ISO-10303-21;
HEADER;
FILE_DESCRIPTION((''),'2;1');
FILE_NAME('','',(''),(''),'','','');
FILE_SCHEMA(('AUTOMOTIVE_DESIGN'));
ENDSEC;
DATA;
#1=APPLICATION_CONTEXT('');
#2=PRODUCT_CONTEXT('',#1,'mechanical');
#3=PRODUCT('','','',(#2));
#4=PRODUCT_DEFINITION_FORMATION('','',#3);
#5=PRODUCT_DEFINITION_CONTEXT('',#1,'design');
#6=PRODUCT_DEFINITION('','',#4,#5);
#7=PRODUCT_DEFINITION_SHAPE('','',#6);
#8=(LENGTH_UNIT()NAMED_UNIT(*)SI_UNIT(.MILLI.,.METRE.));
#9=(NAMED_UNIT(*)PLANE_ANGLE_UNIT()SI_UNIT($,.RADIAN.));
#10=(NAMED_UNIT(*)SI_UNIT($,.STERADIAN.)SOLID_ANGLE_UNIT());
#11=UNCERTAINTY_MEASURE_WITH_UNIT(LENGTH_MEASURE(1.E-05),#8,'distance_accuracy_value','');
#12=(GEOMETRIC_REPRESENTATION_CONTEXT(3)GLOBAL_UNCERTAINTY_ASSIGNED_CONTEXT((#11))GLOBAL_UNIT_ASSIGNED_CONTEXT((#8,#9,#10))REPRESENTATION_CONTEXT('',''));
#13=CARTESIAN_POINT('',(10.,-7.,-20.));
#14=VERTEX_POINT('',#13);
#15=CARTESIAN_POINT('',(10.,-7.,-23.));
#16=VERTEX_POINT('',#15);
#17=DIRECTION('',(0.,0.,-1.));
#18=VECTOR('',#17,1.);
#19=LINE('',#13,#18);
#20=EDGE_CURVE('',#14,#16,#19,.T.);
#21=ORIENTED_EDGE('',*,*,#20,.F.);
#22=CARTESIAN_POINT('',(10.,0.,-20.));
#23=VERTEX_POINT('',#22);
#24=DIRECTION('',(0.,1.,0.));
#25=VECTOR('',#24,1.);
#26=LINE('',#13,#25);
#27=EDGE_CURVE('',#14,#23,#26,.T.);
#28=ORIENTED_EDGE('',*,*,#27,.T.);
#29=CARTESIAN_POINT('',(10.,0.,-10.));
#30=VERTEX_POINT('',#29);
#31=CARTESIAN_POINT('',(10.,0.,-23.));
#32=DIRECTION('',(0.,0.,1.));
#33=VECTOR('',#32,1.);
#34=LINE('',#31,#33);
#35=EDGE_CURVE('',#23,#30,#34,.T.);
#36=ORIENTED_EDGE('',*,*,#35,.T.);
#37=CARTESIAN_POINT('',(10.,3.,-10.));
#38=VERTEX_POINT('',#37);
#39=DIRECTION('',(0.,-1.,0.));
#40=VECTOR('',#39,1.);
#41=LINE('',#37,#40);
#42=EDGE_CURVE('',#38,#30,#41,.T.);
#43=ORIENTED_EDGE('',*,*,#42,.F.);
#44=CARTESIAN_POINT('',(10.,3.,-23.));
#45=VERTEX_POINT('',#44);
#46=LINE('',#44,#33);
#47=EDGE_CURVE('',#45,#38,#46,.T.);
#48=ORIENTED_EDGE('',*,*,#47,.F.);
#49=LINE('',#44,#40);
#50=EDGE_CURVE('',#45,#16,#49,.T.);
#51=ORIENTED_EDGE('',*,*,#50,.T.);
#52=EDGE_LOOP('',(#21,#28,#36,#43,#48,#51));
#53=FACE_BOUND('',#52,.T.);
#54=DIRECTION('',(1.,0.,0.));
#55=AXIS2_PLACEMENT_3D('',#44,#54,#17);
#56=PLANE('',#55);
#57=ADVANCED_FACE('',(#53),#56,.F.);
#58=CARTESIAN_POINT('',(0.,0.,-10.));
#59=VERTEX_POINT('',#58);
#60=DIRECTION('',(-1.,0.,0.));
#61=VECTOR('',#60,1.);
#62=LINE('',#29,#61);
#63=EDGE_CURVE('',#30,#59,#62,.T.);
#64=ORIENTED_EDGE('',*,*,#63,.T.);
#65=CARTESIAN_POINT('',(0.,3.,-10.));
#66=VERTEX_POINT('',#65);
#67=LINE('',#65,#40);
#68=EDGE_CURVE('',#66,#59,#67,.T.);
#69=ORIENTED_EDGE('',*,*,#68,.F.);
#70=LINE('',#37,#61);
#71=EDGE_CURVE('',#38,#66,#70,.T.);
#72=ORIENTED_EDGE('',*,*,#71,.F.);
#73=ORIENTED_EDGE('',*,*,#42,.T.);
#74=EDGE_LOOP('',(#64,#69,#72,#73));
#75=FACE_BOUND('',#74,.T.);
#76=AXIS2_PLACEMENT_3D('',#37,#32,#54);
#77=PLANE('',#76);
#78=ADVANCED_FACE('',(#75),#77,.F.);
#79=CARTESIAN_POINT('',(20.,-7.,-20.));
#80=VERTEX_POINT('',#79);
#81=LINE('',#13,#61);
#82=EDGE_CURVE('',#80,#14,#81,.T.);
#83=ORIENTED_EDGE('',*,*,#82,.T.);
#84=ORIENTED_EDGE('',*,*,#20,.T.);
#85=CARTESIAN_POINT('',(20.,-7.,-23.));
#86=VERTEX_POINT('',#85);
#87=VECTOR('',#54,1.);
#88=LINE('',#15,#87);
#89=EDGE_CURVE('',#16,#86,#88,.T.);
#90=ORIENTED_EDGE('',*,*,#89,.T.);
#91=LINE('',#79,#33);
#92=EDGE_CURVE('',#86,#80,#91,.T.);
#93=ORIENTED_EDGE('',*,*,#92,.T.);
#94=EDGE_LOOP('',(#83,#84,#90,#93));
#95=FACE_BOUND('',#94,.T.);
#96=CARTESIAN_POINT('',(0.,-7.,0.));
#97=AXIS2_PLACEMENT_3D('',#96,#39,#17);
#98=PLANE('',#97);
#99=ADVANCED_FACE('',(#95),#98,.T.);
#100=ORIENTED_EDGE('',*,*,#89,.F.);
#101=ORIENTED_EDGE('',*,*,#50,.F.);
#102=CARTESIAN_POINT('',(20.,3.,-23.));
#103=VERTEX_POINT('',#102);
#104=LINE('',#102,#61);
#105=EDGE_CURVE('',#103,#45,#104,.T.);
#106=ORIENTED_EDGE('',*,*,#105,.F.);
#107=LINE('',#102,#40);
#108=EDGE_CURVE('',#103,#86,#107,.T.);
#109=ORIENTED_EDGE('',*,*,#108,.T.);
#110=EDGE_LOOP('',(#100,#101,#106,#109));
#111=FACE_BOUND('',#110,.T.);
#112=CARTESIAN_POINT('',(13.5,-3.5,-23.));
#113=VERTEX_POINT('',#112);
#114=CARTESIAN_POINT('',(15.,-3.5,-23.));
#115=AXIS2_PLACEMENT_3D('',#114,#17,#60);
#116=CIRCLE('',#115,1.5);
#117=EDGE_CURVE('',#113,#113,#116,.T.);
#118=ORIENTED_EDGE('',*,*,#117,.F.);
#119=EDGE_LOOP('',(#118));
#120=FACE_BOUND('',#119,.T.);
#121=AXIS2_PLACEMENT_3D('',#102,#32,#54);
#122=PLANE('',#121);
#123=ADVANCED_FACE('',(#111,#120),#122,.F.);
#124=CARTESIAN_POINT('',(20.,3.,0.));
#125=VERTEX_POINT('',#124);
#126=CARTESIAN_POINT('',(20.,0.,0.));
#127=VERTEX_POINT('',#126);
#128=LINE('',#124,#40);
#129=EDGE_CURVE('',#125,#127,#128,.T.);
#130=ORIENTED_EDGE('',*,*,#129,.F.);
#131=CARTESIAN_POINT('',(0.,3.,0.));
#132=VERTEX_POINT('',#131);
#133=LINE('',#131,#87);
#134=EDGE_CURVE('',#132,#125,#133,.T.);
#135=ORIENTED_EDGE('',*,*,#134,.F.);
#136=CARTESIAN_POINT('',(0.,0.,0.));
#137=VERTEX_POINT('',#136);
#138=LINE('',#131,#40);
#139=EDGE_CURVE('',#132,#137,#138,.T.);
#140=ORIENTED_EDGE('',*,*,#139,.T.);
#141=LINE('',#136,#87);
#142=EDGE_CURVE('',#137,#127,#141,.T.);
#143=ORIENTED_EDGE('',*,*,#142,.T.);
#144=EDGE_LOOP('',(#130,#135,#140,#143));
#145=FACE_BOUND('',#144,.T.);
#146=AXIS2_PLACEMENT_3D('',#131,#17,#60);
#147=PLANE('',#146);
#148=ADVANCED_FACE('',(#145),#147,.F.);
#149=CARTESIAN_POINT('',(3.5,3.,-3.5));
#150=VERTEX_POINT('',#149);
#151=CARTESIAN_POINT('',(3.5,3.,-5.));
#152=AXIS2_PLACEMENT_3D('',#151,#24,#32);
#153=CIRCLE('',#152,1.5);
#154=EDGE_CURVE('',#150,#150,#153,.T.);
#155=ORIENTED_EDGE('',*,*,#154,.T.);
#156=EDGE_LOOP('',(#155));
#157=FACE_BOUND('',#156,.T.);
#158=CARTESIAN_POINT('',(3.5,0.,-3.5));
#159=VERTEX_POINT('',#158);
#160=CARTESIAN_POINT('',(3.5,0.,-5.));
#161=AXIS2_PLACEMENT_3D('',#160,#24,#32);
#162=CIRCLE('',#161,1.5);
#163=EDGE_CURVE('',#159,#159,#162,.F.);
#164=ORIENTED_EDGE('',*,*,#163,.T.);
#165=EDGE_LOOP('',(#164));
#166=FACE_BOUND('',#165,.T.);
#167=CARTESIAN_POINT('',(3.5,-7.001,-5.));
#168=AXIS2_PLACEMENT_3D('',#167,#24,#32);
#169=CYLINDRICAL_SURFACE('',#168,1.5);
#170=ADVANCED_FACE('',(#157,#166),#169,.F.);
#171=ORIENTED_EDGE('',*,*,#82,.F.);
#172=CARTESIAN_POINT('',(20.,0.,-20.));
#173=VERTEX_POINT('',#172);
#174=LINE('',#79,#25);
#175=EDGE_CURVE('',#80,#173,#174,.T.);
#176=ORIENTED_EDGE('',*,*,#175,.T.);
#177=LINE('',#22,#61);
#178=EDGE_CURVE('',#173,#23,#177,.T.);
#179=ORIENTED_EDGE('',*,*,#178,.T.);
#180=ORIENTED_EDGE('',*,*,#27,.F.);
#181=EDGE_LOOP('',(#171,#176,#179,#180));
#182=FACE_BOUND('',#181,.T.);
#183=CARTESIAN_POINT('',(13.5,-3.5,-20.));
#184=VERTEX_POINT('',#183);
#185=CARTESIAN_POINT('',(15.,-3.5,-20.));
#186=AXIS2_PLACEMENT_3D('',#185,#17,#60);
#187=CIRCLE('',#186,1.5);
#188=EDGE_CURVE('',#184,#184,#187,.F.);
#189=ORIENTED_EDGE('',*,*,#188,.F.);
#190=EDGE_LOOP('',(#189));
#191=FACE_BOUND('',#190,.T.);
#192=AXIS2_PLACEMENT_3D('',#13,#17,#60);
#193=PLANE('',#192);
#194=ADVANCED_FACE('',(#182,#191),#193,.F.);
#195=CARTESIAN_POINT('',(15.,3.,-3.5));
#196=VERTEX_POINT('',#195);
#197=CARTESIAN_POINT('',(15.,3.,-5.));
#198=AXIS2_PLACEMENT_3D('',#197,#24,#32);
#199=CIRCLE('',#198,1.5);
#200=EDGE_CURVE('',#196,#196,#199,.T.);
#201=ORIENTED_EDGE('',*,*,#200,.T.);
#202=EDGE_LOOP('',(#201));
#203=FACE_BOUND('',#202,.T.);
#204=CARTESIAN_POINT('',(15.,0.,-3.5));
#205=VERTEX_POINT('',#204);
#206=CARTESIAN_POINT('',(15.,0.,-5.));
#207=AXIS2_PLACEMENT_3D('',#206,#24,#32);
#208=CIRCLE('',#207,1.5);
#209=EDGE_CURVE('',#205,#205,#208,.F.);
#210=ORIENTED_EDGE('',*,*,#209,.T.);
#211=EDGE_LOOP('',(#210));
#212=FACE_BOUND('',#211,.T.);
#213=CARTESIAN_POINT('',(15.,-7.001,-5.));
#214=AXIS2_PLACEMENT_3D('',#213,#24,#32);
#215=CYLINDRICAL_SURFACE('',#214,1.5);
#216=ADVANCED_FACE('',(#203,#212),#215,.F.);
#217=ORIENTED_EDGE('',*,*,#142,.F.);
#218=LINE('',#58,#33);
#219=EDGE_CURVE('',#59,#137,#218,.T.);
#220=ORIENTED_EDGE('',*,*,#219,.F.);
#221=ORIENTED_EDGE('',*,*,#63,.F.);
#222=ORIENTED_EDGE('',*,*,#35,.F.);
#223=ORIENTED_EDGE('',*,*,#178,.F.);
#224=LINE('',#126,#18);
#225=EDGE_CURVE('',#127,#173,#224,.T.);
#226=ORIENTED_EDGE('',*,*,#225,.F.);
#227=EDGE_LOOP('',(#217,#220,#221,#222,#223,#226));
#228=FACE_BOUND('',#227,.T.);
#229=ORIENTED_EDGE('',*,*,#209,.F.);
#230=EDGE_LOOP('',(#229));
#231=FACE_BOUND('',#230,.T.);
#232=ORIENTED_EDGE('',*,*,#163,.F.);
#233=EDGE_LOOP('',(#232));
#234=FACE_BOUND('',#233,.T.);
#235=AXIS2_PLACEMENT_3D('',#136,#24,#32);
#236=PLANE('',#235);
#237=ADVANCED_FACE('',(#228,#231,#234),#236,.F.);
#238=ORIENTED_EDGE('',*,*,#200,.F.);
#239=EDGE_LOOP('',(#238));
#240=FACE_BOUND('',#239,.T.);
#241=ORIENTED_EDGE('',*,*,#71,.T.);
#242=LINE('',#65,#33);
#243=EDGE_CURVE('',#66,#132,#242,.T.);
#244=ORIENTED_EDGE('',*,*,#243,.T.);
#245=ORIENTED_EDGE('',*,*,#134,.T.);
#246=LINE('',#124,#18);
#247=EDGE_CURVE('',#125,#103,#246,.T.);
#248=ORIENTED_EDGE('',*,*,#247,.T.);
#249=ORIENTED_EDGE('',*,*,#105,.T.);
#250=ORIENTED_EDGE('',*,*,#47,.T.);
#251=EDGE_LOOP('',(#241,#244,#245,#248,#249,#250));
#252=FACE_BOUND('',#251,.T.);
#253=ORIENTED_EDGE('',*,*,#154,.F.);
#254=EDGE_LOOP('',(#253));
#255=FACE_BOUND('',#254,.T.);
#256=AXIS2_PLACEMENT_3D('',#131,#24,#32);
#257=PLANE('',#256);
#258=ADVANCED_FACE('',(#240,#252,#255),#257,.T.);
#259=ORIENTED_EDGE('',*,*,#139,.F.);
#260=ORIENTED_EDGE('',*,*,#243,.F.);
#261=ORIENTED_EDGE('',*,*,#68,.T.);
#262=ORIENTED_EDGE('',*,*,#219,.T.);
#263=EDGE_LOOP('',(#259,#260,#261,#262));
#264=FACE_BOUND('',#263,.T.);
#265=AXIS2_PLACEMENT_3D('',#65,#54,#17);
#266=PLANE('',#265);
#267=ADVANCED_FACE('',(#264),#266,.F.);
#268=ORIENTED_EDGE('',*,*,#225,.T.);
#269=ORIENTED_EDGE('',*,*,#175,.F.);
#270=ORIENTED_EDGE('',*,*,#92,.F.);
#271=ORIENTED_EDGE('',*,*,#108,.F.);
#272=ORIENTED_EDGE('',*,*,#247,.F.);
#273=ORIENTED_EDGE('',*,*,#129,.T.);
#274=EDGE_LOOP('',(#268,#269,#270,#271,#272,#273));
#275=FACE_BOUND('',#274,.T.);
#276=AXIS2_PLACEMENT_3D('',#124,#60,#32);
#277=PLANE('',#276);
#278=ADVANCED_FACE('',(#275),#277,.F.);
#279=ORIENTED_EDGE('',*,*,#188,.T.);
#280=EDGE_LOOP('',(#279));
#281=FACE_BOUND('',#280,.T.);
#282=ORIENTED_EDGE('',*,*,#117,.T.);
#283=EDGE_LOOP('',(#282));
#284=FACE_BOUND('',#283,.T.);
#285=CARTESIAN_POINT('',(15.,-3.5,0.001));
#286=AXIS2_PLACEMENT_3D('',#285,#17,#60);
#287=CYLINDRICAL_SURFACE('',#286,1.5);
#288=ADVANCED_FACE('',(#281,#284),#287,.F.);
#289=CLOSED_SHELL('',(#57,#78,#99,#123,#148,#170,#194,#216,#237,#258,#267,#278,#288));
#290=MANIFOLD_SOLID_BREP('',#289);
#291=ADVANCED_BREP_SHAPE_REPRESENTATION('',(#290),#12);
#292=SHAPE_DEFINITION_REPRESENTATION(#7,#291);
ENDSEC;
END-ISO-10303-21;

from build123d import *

# Parameters (mm, degrees)
BOSS_EXTRUDE1_DEPTH = 3
SKETCH7_W           = 10
SKETCH7_H           = 3
BOSS_EXTRUDE2_DEPTH = 7
CUT_EXTRUDE1_REACH  = 25
SKETCH8_R           = 1.5
CUT_EXTRUDE2_REACH  = 12
SKETCH12_R          = 1.5


with BuildPart() as part:
    # Sketch1 → Boss-Extrude1 (new body)
    with BuildSketch(Plane(origin=(0, 0, 0), x_dir=(1, 0, 0), z_dir=(0, 1, 0))):
        Polygon((0, 0), (20, 0), (20, 23), (10, 23), (10, 10), (0, 10), align=None)
    extrude(amount=BOSS_EXTRUDE1_DEPTH)

    # Sketch7 → Boss-Extrude2 (add)
    with BuildSketch(Plane.XZ):
        with Locations((15, -21.5)):
            Rectangle(SKETCH7_W, SKETCH7_H)
    extrude(amount=BOSS_EXTRUDE2_DEPTH)

    # Sketch8 → Cut-Extrude1 (cut, up to next)
    with BuildSketch(Plane(origin=(0, 0, -23), x_dir=(-1, 0, 0), z_dir=(0, 0, -1)), mode=Mode.PRIVATE) as cut_extrude1_sk1:
        with Locations((-15, -3.5)):
            Circle(SKETCH8_R)
    cut_extrude1_tool1 = extrude(cut_extrude1_sk1.sketch, amount=-CUT_EXTRUDE1_REACH, mode=Mode.PRIVATE) & part.part
    add(cut_extrude1_tool1.solids().sort_by_distance((15, -3.5, -23))[0], mode=Mode.SUBTRACT)

    # Sketch12 → Cut-Extrude2 (cut, up to next)
    with BuildSketch(Plane(origin=(0, 3, 0), x_dir=(1, 0, 0), z_dir=(0, 1, 0)), mode=Mode.PRIVATE) as cut_extrude2_sk1:
        with Locations((15, 5)):
            Circle(SKETCH12_R)
    cut_extrude2_tool1 = extrude(cut_extrude2_sk1.sketch, amount=-CUT_EXTRUDE2_REACH, mode=Mode.PRIVATE) & part.part
    add(cut_extrude2_tool1.solids().sort_by_distance((15, 3, -5))[0], mode=Mode.SUBTRACT)
    # Sketch12 → Cut-Extrude2 (cut, up to next)
    with BuildSketch(Plane(origin=(0, 3, 0), x_dir=(1, 0, 0), z_dir=(0, 1, 0)), mode=Mode.PRIVATE) as cut_extrude2_sk2:
        with Locations((3.5, 5)):
            Circle(SKETCH12_R)
    cut_extrude2_tool2 = extrude(cut_extrude2_sk2.sketch, amount=-CUT_EXTRUDE2_REACH, mode=Mode.PRIVATE) & part.part
    add(cut_extrude2_tool2.solids().sort_by_distance((3.5, 3, -5))[0], mode=Mode.SUBTRACT)


solid = part.part
